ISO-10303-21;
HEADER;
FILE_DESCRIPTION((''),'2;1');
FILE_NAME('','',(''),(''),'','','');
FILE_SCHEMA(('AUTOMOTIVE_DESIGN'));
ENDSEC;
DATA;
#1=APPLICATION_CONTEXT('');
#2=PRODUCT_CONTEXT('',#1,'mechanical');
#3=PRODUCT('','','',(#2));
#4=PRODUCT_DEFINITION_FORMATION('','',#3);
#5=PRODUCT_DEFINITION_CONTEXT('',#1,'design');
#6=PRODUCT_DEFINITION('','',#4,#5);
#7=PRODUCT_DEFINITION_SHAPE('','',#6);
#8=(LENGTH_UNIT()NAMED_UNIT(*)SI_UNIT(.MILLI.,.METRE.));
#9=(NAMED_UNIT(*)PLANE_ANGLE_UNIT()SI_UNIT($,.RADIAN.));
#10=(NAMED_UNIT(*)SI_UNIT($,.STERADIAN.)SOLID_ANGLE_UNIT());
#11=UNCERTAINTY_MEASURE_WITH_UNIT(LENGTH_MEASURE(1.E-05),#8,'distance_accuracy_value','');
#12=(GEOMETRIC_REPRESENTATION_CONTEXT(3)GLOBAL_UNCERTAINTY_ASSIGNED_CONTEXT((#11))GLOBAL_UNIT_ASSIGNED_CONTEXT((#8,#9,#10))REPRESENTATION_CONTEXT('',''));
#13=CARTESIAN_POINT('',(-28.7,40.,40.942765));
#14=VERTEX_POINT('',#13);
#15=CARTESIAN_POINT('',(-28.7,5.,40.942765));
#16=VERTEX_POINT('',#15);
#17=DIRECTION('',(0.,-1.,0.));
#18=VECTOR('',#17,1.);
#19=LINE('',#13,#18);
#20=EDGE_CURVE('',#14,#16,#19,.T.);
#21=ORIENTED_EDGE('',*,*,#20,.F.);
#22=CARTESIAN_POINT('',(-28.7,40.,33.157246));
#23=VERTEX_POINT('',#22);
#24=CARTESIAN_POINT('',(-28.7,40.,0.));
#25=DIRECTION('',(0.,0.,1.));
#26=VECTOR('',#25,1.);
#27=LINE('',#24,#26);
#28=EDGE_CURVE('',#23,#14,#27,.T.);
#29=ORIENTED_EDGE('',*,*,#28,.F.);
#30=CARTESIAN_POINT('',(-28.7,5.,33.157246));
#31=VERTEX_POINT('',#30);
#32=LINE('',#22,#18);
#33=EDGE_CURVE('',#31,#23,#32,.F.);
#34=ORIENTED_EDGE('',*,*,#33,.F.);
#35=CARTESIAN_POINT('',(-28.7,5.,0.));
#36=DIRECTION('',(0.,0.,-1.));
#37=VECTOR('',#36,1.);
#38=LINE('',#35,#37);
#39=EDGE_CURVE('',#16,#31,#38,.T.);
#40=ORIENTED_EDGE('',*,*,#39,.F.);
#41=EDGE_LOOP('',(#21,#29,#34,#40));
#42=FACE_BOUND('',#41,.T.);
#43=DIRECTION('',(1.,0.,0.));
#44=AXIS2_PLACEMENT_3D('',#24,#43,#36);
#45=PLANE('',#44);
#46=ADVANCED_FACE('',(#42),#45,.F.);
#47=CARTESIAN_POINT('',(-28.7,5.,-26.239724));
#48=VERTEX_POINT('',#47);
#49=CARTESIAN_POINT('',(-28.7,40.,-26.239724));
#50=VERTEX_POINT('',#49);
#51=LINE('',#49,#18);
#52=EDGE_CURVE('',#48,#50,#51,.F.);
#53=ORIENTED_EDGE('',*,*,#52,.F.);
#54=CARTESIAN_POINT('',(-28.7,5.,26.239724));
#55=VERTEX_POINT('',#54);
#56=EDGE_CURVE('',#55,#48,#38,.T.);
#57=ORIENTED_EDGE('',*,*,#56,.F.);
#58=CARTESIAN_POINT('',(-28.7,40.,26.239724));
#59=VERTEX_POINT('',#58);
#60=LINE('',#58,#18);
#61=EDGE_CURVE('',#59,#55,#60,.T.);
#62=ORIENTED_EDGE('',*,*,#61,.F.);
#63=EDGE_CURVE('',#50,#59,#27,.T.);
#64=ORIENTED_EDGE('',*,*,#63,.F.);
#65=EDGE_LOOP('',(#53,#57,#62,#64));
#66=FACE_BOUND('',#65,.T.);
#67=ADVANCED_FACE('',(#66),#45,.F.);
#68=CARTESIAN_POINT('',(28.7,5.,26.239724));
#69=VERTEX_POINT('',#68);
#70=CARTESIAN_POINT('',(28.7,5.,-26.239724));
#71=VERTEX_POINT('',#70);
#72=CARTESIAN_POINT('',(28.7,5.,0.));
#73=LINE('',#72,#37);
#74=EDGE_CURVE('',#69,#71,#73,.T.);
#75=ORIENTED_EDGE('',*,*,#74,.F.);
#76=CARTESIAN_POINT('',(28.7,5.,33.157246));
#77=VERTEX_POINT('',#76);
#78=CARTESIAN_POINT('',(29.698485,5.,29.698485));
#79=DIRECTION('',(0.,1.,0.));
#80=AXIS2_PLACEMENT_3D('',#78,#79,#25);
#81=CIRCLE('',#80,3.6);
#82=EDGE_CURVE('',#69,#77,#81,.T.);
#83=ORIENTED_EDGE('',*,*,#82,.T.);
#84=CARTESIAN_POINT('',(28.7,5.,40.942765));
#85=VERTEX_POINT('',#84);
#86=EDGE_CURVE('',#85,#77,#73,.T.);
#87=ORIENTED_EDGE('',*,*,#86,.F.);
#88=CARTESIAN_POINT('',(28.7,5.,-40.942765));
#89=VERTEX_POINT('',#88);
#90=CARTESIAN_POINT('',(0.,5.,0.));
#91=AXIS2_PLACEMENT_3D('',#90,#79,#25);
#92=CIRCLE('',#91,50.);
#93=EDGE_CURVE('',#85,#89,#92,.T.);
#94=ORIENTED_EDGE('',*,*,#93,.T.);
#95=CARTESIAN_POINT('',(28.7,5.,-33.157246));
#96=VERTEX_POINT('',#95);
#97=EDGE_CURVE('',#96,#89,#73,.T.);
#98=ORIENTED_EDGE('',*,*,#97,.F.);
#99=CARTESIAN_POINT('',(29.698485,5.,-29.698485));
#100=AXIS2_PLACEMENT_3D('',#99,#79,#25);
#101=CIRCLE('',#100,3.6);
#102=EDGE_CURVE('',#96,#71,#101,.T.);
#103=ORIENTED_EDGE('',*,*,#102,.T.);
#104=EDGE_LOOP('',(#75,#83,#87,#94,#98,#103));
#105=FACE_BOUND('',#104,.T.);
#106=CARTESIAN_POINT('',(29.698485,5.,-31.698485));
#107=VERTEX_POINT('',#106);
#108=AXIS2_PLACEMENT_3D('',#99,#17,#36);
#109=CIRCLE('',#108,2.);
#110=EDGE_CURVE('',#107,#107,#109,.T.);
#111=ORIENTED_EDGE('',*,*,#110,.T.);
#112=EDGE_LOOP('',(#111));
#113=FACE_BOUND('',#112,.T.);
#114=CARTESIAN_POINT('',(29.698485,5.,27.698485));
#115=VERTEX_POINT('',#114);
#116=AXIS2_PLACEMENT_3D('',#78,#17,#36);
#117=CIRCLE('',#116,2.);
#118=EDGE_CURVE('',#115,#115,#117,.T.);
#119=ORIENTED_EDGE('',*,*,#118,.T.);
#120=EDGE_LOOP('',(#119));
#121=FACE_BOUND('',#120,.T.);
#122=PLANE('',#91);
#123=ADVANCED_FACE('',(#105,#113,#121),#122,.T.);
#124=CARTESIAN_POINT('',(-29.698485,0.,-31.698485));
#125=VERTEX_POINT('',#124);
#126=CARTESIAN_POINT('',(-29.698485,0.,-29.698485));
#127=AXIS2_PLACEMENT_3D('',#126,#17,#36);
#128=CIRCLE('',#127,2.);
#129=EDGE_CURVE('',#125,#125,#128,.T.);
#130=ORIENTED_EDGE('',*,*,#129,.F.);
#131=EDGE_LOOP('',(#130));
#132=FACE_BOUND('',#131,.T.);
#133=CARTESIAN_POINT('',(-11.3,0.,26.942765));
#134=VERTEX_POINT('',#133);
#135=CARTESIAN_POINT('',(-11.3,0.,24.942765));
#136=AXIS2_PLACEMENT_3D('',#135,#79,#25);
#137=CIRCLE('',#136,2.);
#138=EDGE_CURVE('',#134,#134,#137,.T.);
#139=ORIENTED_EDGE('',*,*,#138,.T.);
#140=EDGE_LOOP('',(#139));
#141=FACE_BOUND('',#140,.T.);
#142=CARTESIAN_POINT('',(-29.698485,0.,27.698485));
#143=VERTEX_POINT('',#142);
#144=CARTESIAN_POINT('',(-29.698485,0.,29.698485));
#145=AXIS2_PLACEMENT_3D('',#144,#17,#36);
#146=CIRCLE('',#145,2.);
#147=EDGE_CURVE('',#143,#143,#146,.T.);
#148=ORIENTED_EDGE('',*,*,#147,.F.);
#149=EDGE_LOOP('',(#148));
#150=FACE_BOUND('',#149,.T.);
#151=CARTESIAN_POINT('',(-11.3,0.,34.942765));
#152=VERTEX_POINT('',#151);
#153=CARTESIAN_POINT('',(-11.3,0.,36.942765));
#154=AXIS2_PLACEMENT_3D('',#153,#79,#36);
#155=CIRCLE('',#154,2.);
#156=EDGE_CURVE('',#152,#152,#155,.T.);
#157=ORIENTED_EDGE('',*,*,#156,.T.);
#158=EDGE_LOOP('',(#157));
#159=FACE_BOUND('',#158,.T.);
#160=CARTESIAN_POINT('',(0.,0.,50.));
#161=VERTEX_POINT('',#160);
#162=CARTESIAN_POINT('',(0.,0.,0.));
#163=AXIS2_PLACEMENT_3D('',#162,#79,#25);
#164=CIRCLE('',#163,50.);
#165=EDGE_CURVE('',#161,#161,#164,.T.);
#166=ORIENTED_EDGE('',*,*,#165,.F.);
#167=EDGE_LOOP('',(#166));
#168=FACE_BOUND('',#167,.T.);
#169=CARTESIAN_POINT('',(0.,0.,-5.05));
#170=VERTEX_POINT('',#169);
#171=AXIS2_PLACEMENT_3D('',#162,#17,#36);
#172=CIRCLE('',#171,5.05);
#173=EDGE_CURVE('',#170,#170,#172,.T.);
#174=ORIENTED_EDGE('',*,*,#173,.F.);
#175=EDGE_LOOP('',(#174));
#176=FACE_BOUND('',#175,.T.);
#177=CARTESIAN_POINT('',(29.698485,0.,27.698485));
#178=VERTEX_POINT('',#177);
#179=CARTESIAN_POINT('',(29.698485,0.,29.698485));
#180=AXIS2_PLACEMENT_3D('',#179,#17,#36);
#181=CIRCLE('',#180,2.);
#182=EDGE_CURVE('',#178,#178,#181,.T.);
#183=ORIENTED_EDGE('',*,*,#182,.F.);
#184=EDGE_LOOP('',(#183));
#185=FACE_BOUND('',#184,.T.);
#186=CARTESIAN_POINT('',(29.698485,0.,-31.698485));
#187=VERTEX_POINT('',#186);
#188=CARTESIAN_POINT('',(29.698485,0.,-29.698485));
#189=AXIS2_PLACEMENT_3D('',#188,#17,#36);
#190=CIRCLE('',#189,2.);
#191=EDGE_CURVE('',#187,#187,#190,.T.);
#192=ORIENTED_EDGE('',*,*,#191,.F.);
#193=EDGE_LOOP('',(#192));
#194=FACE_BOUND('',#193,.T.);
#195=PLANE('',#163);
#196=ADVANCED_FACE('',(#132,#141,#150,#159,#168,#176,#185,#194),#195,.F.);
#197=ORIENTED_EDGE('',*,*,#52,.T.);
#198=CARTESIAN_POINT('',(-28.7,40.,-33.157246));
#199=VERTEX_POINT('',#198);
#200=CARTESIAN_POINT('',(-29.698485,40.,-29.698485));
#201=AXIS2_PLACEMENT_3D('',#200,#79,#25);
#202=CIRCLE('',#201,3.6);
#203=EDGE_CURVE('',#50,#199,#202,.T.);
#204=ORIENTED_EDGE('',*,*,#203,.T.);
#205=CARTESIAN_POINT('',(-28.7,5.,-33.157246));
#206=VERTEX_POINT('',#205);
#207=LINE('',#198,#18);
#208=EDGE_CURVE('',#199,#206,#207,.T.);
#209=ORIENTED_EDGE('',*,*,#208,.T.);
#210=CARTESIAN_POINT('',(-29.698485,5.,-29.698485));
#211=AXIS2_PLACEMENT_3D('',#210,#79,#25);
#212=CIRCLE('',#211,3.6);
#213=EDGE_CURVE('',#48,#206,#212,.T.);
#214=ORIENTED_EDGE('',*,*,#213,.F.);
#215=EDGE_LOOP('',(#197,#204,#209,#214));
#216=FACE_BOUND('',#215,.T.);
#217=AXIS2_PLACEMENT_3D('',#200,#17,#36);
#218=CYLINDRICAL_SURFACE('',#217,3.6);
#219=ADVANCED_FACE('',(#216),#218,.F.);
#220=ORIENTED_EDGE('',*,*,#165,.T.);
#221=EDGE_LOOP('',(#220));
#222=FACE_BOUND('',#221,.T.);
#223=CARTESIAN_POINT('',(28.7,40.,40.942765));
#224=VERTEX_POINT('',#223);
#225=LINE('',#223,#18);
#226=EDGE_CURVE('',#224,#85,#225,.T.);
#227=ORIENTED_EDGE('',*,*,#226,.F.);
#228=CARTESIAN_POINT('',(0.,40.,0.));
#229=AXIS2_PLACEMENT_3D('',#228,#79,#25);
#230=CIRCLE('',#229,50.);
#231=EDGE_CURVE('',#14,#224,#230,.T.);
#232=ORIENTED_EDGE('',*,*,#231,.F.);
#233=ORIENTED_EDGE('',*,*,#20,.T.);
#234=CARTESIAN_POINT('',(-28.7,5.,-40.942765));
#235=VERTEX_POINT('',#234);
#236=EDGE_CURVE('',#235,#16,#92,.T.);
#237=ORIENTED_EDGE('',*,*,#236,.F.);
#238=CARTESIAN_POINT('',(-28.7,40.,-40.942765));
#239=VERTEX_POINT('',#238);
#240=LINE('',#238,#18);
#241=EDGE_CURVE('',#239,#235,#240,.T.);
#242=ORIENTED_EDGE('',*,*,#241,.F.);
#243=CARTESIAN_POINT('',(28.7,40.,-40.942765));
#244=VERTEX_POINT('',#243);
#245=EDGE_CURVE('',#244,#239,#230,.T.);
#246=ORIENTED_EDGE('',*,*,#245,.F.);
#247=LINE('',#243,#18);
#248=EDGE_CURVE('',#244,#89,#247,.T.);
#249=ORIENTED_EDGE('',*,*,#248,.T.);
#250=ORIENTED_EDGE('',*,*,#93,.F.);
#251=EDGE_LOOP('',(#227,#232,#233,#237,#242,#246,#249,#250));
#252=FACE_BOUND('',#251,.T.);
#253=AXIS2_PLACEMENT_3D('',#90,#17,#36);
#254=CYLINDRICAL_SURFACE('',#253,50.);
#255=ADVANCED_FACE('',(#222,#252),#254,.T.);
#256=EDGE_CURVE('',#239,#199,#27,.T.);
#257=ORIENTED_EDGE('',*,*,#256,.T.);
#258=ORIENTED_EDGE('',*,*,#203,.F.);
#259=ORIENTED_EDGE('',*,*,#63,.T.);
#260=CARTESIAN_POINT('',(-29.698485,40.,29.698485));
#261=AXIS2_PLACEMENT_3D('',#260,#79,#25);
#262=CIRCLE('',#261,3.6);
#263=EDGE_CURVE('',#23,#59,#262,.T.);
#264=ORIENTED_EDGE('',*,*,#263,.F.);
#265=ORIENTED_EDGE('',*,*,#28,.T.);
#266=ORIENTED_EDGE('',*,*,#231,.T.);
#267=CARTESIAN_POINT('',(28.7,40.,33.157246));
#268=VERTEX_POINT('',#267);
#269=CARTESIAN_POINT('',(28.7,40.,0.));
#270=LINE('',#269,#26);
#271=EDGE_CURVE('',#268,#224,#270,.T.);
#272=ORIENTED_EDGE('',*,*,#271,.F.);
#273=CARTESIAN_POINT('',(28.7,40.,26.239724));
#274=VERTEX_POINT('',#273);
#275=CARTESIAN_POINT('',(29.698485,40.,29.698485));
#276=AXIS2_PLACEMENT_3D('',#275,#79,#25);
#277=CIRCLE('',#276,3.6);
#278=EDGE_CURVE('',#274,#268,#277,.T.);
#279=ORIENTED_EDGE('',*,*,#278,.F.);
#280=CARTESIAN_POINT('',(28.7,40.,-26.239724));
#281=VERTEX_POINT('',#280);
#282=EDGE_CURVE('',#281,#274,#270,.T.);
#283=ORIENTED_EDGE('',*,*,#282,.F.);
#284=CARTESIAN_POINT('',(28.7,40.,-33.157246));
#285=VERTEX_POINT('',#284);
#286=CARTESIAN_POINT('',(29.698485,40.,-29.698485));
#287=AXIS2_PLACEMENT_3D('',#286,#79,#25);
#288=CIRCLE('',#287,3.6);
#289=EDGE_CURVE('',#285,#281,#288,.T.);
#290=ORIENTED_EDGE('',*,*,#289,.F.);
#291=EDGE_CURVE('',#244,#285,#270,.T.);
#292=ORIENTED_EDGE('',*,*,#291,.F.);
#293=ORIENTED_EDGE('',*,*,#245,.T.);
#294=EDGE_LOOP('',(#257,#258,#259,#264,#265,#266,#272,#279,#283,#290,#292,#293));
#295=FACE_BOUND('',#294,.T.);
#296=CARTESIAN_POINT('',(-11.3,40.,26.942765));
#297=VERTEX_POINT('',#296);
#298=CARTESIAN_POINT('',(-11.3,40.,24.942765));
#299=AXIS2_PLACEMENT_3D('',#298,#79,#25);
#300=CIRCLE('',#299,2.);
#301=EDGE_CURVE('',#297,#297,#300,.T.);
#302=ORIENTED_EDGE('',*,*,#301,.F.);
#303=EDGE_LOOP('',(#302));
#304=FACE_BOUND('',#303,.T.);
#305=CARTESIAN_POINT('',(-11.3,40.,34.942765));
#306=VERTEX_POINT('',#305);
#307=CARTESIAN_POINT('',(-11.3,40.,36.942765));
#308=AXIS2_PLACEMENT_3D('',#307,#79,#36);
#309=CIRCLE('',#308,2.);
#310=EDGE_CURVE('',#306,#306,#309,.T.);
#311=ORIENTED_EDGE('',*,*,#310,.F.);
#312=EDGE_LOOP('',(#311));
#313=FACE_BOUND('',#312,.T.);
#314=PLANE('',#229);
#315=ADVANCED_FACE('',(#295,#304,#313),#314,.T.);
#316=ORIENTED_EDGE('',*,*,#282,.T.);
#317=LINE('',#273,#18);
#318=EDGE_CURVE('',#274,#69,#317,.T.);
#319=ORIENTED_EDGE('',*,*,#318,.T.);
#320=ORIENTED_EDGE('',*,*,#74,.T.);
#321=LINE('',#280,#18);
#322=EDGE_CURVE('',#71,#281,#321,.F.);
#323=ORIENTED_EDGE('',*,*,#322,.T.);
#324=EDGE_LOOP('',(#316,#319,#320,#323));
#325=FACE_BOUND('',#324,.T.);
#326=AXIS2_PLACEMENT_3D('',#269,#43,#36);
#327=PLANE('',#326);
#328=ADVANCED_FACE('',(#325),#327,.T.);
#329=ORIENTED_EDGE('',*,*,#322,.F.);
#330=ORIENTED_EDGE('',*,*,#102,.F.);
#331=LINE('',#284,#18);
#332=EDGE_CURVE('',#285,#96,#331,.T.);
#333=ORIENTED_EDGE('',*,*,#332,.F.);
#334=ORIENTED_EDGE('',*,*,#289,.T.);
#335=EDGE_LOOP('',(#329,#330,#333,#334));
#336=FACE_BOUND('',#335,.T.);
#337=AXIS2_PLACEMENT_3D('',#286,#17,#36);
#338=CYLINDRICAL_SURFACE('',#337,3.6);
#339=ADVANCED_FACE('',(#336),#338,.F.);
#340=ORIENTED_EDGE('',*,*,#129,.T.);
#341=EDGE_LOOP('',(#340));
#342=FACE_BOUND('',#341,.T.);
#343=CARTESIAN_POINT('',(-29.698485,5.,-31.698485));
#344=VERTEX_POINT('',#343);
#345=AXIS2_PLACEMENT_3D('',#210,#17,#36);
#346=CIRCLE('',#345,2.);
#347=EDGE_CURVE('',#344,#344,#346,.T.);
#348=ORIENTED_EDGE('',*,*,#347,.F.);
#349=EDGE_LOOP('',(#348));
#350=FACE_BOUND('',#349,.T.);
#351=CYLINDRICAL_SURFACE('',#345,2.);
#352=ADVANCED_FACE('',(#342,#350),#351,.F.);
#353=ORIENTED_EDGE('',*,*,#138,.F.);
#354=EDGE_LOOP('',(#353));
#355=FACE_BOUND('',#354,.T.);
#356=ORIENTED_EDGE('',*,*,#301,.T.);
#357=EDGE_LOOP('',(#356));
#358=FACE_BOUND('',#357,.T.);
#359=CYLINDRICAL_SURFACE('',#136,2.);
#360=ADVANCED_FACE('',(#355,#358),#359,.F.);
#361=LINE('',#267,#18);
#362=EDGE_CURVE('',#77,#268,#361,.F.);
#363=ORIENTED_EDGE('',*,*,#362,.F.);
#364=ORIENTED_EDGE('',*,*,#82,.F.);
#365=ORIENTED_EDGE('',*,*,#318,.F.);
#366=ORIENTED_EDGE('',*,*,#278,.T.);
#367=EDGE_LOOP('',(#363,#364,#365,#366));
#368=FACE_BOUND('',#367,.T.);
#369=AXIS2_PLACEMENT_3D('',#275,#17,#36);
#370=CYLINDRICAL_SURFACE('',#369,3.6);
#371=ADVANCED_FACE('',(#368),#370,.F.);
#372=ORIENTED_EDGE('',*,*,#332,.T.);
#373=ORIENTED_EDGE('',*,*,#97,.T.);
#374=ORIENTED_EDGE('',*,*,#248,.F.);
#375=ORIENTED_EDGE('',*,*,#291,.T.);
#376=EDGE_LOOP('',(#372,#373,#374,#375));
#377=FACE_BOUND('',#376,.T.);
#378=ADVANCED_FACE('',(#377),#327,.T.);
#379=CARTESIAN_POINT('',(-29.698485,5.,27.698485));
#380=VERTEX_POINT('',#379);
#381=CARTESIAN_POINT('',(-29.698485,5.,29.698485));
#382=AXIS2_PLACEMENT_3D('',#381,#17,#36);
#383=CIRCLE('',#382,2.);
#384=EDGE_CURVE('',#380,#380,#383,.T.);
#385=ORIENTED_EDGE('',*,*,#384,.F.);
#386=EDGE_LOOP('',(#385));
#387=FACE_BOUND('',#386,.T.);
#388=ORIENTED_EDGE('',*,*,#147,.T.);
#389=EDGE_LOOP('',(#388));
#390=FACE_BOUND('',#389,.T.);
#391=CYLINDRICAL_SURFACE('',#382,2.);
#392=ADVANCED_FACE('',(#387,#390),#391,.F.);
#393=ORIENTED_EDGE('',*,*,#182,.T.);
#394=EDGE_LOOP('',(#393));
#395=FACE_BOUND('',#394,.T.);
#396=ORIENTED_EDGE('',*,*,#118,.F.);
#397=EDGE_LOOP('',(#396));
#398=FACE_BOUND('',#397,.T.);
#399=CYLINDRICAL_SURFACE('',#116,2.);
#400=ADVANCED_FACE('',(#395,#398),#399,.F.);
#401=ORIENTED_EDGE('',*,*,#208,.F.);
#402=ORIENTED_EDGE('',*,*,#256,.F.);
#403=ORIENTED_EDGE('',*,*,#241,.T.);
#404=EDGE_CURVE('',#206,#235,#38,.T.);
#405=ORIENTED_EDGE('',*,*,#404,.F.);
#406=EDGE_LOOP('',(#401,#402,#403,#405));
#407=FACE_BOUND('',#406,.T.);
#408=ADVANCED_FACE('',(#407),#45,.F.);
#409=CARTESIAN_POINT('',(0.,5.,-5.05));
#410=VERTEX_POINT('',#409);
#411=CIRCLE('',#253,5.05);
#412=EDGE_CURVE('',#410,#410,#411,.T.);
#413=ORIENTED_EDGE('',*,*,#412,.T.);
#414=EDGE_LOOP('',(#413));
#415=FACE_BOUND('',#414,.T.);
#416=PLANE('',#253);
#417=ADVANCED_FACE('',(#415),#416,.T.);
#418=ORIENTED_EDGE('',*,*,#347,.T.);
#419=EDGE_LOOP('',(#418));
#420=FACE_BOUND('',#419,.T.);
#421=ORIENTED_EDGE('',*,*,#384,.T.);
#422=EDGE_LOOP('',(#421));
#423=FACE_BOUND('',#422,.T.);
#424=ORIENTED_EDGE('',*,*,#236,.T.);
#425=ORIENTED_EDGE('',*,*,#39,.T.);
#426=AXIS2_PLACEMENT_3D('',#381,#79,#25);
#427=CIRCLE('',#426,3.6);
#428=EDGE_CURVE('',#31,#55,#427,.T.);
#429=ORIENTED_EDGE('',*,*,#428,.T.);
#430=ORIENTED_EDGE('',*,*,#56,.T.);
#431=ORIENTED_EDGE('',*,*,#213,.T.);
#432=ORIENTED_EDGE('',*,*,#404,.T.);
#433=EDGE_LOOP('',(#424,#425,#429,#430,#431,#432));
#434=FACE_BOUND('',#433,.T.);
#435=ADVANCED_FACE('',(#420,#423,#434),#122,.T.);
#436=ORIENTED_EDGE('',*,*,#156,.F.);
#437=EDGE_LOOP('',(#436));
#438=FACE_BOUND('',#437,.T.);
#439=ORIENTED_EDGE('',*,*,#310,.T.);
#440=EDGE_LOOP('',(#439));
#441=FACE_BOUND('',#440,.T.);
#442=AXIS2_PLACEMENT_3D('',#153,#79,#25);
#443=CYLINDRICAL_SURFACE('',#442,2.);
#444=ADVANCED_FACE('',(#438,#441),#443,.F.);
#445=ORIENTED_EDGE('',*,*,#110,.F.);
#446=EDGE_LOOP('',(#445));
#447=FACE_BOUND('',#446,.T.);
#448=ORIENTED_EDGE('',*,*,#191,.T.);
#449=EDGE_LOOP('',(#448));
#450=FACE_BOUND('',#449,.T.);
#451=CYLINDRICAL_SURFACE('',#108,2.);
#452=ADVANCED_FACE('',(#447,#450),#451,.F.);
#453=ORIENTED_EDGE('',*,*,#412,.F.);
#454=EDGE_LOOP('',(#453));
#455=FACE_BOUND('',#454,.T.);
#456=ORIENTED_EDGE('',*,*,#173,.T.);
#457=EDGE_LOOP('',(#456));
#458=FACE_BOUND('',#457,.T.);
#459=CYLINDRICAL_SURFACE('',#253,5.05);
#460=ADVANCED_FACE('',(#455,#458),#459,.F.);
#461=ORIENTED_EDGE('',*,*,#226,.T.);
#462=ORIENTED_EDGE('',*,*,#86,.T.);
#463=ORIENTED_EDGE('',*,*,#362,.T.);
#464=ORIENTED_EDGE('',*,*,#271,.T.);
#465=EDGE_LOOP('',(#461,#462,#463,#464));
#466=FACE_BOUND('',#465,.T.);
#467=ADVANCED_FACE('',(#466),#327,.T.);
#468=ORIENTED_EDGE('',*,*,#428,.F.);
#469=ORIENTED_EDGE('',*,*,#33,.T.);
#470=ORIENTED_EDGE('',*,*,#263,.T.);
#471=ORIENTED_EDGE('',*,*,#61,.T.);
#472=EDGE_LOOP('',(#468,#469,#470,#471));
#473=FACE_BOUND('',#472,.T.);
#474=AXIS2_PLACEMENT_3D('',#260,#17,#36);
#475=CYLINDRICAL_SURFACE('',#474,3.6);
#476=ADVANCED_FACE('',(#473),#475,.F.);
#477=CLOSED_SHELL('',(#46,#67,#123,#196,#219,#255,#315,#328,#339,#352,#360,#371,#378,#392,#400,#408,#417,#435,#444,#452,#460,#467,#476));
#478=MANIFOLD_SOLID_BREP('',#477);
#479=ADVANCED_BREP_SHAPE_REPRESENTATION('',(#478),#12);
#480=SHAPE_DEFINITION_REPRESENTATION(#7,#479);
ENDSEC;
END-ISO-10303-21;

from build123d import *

# Parameters (mm, degrees)
ARA_D_ZLEM_R                = 50
BASE_DEPTH                  = 5
Y_KSEKLIK_EKSTR_ZYON2_DEPTH = 40
IZIM2_R                     = 2
BANANA_SLOTLAR_DEPTH        = 82.240384046
IZIM3_R                     = 2
IZIM3_R_2                   = 5.05
KES_EKSTR_ZYON1_DEPTH       = 5
IZIM3_2_R                   = 2
KES_EKSTR_ZYON2_DEPTH       = 82.240384046
IZIM5_R                     = 3.6
KES_EKSTR_ZYON3_DEPTH       = 79.89866919


with BuildPart() as part:
    # ara düzlem → base (new body)
    with BuildSketch(Plane(origin=(0, 0, 0), x_dir=(1, 0, 0), z_dir=(0, 1, 0))):
        Circle(ARA_D_ZLEM_R)
    extrude(amount=BASE_DEPTH)

    # Çizim1<3> → Yükseklik-Ekstrüzyon2 (add)
    with BuildSketch(Plane(origin=(0, 0, 0), x_dir=(1, 0, 0), z_dir=(0, 1, 0))):
        with BuildLine():
            ThreePointArc((28.7, 40.942764929), (0, 50), (-28.7, 40.942764929))
            Line((-28.7, 40.942764929), (-28.7, -40.942764929))
            ThreePointArc((-28.7, -40.942764929), (0, -50), (28.7, -40.942764929))
            Line((28.7, -40.942764929), (28.7, 40.942764929))
        make_face()
    extrude(amount=Y_KSEKLIK_EKSTR_ZYON2_DEPTH)

    # Çizim2 → banana slotlar (cut, through all)
    with BuildSketch(Plane(origin=(0, 40, 0), x_dir=(1, 0, 0), z_dir=(0, 1, 0))):
        with Locations((-11.3, -24.942764929)):
            Circle(IZIM2_R)
        with Locations((-11.3, -36.942764929)):
            Circle(IZIM2_R)
    extrude(amount=-BANANA_SLOTLAR_DEPTH, mode=Mode.SUBTRACT)

    # Çizim3 → Kes-Ekstrüzyon1 (cut)
    with BuildSketch(Plane.XZ):
        with Locations((-29.69848481, 29.69848481)):
            Circle(IZIM3_R)
        with Locations((29.69848481, 29.69848481)):
            Circle(IZIM3_R)
        with Locations((29.69848481, -29.69848481)):
            Circle(IZIM3_R)
        with Locations((-29.69848481, -29.69848481)):
            Circle(IZIM3_R)
        Circle(IZIM3_R_2)
    extrude(amount=-KES_EKSTR_ZYON1_DEPTH, mode=Mode.SUBTRACT)

    # Çizim3<2> → Kes-Ekstrüzyon2 (cut, through all)
    with BuildSketch(Plane.XZ):
        with Locations((-29.69848481, 29.69848481)):
            Circle(IZIM3_2_R)
        with Locations((29.69848481, 29.69848481)):
            Circle(IZIM3_2_R)
        with Locations((29.69848481, -29.69848481)):
            Circle(IZIM3_2_R)
        with Locations((-29.69848481, -29.69848481)):
            Circle(IZIM3_2_R)
    extrude(amount=-KES_EKSTR_ZYON2_DEPTH, mode=Mode.SUBTRACT)

    # Çizim5 → Kes-Ekstrüzyon3 (cut, through all)
    with BuildSketch(Plane(origin=(0, 5, 0), x_dir=(1, 0, 0), z_dir=(0, 1, 0))):
        with Locations((29.69848481, -29.69848481)):
            Circle(IZIM5_R)
        with Locations((-29.69848481, -29.69848481)):
            Circle(IZIM5_R)
        with Locations((-29.69848481, 29.69848481)):
            Circle(IZIM5_R)
        with Locations((29.69848481, 29.69848481)):
            Circle(IZIM5_R)
    extrude(amount=KES_EKSTR_ZYON3_DEPTH, mode=Mode.SUBTRACT)


solid = part.part
